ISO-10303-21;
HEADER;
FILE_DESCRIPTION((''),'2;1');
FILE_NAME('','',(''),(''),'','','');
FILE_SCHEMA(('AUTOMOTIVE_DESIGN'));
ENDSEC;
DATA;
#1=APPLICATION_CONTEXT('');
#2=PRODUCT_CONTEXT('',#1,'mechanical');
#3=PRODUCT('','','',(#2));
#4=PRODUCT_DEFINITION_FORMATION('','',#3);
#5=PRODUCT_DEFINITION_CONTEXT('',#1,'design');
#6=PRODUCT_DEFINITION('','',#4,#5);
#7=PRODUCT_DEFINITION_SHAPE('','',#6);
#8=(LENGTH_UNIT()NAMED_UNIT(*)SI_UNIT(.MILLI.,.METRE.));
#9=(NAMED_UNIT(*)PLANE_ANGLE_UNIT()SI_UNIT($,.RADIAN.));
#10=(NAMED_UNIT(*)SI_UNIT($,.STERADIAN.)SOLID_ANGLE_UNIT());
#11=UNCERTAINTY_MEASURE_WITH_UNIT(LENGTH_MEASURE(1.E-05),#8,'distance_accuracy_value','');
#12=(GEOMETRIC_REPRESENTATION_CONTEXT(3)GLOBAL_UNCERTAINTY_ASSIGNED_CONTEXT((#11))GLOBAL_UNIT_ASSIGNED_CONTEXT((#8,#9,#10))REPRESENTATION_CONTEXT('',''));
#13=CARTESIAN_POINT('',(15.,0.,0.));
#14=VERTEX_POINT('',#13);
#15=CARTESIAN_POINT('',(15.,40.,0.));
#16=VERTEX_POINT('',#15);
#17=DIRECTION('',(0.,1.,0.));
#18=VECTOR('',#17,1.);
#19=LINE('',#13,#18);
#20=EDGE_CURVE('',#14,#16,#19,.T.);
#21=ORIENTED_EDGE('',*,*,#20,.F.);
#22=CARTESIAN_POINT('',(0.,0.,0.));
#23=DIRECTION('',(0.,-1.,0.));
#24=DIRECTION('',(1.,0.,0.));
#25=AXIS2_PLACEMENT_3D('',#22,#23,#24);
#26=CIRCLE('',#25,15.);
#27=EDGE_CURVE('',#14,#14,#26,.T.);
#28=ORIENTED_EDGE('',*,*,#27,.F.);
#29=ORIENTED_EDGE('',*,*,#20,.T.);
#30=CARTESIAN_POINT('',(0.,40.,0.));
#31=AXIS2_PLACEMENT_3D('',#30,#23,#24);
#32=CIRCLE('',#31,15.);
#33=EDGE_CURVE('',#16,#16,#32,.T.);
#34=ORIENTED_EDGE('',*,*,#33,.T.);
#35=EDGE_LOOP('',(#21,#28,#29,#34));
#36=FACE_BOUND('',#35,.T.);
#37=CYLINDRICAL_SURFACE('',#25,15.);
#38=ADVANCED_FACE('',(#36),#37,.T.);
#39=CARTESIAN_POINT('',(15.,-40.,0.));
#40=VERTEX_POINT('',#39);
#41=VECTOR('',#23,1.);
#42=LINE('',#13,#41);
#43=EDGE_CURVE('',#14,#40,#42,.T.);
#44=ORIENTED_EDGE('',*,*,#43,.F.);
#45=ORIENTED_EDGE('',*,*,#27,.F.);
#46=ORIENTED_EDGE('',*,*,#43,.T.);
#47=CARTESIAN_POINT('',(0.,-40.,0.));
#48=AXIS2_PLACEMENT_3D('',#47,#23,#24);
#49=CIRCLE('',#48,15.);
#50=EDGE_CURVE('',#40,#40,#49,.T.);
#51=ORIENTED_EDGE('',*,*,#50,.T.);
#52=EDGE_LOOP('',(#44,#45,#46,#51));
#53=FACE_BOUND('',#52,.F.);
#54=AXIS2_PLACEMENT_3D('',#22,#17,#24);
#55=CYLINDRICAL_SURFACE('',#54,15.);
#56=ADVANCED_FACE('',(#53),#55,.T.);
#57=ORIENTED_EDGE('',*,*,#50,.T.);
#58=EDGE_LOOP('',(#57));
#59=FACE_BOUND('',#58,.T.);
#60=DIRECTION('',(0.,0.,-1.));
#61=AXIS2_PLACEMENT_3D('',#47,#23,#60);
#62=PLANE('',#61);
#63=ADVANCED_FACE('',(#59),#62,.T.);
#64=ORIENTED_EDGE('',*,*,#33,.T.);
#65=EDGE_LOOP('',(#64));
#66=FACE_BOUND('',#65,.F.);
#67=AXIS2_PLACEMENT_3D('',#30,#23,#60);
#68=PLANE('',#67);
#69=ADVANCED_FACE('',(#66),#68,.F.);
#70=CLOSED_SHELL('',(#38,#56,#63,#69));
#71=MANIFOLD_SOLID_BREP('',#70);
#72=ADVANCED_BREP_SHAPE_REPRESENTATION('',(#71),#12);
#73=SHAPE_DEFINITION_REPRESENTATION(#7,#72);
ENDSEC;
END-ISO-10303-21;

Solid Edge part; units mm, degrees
sketch "Sketch1" plane through (0, 0, 0) normal (0, -1, 0) x (1, 0, 0)
  circle A0 centre (0, 0) radius 15
  dimension "D1" = 30
extrude "Protrusion1" add sketch "Sketch1" along normal mid plane 80
